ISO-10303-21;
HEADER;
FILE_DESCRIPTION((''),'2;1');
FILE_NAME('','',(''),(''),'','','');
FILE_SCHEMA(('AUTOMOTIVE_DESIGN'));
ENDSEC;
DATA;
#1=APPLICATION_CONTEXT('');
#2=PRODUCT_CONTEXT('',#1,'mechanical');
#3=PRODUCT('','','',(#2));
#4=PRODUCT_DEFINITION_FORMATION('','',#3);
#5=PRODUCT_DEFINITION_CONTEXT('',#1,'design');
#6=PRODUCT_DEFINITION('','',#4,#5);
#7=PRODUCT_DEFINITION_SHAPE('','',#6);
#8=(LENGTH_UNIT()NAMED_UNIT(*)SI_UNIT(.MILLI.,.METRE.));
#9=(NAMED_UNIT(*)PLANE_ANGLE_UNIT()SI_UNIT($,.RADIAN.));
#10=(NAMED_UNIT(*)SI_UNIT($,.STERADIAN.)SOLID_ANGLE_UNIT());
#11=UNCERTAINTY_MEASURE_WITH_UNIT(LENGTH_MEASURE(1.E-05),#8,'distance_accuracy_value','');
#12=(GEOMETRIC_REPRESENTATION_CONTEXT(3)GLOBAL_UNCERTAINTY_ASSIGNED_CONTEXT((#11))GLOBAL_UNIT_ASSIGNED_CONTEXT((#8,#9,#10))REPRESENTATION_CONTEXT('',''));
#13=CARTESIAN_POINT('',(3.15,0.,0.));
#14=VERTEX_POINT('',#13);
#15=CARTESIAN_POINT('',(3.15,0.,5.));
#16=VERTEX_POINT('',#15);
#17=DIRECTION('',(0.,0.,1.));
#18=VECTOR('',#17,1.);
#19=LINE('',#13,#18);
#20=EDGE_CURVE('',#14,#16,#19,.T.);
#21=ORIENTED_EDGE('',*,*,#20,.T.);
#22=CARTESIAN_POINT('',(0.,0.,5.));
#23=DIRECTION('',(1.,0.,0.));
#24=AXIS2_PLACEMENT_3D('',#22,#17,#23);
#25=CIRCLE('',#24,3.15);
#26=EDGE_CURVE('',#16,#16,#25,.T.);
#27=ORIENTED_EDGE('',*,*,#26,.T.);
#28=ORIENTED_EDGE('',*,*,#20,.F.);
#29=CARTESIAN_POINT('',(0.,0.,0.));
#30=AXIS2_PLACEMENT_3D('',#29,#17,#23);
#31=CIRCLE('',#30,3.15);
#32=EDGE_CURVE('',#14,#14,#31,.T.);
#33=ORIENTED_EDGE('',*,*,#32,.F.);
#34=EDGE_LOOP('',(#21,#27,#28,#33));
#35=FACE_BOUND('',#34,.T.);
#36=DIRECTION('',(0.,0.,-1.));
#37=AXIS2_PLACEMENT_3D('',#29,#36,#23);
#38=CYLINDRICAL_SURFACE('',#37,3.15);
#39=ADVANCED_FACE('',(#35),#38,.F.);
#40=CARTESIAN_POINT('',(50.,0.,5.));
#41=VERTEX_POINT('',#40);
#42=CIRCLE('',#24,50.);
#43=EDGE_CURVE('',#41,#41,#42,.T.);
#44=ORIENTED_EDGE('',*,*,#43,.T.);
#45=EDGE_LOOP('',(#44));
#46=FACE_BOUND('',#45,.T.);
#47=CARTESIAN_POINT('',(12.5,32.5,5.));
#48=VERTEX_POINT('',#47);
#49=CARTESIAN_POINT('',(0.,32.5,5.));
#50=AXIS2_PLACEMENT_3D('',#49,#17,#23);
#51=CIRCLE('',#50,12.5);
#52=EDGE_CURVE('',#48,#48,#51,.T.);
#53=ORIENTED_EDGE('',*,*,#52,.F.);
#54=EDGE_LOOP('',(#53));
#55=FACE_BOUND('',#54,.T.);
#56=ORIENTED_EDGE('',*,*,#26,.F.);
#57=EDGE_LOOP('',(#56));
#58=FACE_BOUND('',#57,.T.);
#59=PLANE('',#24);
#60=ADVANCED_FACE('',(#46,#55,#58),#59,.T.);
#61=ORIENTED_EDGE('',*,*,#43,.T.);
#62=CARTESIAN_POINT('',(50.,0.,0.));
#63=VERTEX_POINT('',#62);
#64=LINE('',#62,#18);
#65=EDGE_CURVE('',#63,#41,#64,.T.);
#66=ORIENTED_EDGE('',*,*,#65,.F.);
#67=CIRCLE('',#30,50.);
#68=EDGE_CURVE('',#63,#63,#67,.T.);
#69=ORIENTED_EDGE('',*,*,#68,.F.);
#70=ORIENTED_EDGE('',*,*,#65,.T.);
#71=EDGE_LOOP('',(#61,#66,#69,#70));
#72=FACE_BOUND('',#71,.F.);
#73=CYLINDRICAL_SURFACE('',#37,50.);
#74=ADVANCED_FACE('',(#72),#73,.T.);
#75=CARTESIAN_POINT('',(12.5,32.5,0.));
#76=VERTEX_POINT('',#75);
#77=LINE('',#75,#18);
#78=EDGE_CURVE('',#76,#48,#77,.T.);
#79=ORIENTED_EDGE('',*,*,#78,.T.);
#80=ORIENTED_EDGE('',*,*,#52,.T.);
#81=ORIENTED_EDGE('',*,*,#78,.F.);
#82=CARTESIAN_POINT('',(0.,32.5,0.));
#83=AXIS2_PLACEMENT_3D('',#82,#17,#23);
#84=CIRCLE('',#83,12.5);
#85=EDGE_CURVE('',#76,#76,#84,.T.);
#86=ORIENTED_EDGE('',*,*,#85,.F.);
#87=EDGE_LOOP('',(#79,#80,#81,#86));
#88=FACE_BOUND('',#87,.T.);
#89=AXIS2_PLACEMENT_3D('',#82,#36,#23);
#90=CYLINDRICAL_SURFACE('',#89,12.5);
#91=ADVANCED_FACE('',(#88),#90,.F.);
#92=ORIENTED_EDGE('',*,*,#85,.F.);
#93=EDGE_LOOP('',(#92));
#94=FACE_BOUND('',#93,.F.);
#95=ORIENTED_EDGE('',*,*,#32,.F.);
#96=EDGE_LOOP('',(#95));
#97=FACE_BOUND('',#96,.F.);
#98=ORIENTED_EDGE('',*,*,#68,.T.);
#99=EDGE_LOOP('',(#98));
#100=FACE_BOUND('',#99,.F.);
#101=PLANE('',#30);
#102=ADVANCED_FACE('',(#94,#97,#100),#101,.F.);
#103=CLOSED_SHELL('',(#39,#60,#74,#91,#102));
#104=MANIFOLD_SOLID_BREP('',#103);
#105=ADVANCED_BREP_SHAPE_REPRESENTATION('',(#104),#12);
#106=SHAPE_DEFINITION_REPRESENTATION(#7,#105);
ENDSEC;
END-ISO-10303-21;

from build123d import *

# Parameters (mm, degrees)
F0_R     = 50
F0_R_2   = 3.15
F0_R_3   = 12.5
F1_DEPTH = 5


with BuildPart() as f1:
    # F0 (on Top) → F1 (new body)
    with BuildSketch(Plane.XY):
        Circle(F0_R)
        Circle(F0_R_2, mode=Mode.SUBTRACT)
        with Locations((0, 32.5)):
            Circle(F0_R_3, mode=Mode.SUBTRACT)
    extrude(amount=F1_DEPTH)


solid = f1.part
